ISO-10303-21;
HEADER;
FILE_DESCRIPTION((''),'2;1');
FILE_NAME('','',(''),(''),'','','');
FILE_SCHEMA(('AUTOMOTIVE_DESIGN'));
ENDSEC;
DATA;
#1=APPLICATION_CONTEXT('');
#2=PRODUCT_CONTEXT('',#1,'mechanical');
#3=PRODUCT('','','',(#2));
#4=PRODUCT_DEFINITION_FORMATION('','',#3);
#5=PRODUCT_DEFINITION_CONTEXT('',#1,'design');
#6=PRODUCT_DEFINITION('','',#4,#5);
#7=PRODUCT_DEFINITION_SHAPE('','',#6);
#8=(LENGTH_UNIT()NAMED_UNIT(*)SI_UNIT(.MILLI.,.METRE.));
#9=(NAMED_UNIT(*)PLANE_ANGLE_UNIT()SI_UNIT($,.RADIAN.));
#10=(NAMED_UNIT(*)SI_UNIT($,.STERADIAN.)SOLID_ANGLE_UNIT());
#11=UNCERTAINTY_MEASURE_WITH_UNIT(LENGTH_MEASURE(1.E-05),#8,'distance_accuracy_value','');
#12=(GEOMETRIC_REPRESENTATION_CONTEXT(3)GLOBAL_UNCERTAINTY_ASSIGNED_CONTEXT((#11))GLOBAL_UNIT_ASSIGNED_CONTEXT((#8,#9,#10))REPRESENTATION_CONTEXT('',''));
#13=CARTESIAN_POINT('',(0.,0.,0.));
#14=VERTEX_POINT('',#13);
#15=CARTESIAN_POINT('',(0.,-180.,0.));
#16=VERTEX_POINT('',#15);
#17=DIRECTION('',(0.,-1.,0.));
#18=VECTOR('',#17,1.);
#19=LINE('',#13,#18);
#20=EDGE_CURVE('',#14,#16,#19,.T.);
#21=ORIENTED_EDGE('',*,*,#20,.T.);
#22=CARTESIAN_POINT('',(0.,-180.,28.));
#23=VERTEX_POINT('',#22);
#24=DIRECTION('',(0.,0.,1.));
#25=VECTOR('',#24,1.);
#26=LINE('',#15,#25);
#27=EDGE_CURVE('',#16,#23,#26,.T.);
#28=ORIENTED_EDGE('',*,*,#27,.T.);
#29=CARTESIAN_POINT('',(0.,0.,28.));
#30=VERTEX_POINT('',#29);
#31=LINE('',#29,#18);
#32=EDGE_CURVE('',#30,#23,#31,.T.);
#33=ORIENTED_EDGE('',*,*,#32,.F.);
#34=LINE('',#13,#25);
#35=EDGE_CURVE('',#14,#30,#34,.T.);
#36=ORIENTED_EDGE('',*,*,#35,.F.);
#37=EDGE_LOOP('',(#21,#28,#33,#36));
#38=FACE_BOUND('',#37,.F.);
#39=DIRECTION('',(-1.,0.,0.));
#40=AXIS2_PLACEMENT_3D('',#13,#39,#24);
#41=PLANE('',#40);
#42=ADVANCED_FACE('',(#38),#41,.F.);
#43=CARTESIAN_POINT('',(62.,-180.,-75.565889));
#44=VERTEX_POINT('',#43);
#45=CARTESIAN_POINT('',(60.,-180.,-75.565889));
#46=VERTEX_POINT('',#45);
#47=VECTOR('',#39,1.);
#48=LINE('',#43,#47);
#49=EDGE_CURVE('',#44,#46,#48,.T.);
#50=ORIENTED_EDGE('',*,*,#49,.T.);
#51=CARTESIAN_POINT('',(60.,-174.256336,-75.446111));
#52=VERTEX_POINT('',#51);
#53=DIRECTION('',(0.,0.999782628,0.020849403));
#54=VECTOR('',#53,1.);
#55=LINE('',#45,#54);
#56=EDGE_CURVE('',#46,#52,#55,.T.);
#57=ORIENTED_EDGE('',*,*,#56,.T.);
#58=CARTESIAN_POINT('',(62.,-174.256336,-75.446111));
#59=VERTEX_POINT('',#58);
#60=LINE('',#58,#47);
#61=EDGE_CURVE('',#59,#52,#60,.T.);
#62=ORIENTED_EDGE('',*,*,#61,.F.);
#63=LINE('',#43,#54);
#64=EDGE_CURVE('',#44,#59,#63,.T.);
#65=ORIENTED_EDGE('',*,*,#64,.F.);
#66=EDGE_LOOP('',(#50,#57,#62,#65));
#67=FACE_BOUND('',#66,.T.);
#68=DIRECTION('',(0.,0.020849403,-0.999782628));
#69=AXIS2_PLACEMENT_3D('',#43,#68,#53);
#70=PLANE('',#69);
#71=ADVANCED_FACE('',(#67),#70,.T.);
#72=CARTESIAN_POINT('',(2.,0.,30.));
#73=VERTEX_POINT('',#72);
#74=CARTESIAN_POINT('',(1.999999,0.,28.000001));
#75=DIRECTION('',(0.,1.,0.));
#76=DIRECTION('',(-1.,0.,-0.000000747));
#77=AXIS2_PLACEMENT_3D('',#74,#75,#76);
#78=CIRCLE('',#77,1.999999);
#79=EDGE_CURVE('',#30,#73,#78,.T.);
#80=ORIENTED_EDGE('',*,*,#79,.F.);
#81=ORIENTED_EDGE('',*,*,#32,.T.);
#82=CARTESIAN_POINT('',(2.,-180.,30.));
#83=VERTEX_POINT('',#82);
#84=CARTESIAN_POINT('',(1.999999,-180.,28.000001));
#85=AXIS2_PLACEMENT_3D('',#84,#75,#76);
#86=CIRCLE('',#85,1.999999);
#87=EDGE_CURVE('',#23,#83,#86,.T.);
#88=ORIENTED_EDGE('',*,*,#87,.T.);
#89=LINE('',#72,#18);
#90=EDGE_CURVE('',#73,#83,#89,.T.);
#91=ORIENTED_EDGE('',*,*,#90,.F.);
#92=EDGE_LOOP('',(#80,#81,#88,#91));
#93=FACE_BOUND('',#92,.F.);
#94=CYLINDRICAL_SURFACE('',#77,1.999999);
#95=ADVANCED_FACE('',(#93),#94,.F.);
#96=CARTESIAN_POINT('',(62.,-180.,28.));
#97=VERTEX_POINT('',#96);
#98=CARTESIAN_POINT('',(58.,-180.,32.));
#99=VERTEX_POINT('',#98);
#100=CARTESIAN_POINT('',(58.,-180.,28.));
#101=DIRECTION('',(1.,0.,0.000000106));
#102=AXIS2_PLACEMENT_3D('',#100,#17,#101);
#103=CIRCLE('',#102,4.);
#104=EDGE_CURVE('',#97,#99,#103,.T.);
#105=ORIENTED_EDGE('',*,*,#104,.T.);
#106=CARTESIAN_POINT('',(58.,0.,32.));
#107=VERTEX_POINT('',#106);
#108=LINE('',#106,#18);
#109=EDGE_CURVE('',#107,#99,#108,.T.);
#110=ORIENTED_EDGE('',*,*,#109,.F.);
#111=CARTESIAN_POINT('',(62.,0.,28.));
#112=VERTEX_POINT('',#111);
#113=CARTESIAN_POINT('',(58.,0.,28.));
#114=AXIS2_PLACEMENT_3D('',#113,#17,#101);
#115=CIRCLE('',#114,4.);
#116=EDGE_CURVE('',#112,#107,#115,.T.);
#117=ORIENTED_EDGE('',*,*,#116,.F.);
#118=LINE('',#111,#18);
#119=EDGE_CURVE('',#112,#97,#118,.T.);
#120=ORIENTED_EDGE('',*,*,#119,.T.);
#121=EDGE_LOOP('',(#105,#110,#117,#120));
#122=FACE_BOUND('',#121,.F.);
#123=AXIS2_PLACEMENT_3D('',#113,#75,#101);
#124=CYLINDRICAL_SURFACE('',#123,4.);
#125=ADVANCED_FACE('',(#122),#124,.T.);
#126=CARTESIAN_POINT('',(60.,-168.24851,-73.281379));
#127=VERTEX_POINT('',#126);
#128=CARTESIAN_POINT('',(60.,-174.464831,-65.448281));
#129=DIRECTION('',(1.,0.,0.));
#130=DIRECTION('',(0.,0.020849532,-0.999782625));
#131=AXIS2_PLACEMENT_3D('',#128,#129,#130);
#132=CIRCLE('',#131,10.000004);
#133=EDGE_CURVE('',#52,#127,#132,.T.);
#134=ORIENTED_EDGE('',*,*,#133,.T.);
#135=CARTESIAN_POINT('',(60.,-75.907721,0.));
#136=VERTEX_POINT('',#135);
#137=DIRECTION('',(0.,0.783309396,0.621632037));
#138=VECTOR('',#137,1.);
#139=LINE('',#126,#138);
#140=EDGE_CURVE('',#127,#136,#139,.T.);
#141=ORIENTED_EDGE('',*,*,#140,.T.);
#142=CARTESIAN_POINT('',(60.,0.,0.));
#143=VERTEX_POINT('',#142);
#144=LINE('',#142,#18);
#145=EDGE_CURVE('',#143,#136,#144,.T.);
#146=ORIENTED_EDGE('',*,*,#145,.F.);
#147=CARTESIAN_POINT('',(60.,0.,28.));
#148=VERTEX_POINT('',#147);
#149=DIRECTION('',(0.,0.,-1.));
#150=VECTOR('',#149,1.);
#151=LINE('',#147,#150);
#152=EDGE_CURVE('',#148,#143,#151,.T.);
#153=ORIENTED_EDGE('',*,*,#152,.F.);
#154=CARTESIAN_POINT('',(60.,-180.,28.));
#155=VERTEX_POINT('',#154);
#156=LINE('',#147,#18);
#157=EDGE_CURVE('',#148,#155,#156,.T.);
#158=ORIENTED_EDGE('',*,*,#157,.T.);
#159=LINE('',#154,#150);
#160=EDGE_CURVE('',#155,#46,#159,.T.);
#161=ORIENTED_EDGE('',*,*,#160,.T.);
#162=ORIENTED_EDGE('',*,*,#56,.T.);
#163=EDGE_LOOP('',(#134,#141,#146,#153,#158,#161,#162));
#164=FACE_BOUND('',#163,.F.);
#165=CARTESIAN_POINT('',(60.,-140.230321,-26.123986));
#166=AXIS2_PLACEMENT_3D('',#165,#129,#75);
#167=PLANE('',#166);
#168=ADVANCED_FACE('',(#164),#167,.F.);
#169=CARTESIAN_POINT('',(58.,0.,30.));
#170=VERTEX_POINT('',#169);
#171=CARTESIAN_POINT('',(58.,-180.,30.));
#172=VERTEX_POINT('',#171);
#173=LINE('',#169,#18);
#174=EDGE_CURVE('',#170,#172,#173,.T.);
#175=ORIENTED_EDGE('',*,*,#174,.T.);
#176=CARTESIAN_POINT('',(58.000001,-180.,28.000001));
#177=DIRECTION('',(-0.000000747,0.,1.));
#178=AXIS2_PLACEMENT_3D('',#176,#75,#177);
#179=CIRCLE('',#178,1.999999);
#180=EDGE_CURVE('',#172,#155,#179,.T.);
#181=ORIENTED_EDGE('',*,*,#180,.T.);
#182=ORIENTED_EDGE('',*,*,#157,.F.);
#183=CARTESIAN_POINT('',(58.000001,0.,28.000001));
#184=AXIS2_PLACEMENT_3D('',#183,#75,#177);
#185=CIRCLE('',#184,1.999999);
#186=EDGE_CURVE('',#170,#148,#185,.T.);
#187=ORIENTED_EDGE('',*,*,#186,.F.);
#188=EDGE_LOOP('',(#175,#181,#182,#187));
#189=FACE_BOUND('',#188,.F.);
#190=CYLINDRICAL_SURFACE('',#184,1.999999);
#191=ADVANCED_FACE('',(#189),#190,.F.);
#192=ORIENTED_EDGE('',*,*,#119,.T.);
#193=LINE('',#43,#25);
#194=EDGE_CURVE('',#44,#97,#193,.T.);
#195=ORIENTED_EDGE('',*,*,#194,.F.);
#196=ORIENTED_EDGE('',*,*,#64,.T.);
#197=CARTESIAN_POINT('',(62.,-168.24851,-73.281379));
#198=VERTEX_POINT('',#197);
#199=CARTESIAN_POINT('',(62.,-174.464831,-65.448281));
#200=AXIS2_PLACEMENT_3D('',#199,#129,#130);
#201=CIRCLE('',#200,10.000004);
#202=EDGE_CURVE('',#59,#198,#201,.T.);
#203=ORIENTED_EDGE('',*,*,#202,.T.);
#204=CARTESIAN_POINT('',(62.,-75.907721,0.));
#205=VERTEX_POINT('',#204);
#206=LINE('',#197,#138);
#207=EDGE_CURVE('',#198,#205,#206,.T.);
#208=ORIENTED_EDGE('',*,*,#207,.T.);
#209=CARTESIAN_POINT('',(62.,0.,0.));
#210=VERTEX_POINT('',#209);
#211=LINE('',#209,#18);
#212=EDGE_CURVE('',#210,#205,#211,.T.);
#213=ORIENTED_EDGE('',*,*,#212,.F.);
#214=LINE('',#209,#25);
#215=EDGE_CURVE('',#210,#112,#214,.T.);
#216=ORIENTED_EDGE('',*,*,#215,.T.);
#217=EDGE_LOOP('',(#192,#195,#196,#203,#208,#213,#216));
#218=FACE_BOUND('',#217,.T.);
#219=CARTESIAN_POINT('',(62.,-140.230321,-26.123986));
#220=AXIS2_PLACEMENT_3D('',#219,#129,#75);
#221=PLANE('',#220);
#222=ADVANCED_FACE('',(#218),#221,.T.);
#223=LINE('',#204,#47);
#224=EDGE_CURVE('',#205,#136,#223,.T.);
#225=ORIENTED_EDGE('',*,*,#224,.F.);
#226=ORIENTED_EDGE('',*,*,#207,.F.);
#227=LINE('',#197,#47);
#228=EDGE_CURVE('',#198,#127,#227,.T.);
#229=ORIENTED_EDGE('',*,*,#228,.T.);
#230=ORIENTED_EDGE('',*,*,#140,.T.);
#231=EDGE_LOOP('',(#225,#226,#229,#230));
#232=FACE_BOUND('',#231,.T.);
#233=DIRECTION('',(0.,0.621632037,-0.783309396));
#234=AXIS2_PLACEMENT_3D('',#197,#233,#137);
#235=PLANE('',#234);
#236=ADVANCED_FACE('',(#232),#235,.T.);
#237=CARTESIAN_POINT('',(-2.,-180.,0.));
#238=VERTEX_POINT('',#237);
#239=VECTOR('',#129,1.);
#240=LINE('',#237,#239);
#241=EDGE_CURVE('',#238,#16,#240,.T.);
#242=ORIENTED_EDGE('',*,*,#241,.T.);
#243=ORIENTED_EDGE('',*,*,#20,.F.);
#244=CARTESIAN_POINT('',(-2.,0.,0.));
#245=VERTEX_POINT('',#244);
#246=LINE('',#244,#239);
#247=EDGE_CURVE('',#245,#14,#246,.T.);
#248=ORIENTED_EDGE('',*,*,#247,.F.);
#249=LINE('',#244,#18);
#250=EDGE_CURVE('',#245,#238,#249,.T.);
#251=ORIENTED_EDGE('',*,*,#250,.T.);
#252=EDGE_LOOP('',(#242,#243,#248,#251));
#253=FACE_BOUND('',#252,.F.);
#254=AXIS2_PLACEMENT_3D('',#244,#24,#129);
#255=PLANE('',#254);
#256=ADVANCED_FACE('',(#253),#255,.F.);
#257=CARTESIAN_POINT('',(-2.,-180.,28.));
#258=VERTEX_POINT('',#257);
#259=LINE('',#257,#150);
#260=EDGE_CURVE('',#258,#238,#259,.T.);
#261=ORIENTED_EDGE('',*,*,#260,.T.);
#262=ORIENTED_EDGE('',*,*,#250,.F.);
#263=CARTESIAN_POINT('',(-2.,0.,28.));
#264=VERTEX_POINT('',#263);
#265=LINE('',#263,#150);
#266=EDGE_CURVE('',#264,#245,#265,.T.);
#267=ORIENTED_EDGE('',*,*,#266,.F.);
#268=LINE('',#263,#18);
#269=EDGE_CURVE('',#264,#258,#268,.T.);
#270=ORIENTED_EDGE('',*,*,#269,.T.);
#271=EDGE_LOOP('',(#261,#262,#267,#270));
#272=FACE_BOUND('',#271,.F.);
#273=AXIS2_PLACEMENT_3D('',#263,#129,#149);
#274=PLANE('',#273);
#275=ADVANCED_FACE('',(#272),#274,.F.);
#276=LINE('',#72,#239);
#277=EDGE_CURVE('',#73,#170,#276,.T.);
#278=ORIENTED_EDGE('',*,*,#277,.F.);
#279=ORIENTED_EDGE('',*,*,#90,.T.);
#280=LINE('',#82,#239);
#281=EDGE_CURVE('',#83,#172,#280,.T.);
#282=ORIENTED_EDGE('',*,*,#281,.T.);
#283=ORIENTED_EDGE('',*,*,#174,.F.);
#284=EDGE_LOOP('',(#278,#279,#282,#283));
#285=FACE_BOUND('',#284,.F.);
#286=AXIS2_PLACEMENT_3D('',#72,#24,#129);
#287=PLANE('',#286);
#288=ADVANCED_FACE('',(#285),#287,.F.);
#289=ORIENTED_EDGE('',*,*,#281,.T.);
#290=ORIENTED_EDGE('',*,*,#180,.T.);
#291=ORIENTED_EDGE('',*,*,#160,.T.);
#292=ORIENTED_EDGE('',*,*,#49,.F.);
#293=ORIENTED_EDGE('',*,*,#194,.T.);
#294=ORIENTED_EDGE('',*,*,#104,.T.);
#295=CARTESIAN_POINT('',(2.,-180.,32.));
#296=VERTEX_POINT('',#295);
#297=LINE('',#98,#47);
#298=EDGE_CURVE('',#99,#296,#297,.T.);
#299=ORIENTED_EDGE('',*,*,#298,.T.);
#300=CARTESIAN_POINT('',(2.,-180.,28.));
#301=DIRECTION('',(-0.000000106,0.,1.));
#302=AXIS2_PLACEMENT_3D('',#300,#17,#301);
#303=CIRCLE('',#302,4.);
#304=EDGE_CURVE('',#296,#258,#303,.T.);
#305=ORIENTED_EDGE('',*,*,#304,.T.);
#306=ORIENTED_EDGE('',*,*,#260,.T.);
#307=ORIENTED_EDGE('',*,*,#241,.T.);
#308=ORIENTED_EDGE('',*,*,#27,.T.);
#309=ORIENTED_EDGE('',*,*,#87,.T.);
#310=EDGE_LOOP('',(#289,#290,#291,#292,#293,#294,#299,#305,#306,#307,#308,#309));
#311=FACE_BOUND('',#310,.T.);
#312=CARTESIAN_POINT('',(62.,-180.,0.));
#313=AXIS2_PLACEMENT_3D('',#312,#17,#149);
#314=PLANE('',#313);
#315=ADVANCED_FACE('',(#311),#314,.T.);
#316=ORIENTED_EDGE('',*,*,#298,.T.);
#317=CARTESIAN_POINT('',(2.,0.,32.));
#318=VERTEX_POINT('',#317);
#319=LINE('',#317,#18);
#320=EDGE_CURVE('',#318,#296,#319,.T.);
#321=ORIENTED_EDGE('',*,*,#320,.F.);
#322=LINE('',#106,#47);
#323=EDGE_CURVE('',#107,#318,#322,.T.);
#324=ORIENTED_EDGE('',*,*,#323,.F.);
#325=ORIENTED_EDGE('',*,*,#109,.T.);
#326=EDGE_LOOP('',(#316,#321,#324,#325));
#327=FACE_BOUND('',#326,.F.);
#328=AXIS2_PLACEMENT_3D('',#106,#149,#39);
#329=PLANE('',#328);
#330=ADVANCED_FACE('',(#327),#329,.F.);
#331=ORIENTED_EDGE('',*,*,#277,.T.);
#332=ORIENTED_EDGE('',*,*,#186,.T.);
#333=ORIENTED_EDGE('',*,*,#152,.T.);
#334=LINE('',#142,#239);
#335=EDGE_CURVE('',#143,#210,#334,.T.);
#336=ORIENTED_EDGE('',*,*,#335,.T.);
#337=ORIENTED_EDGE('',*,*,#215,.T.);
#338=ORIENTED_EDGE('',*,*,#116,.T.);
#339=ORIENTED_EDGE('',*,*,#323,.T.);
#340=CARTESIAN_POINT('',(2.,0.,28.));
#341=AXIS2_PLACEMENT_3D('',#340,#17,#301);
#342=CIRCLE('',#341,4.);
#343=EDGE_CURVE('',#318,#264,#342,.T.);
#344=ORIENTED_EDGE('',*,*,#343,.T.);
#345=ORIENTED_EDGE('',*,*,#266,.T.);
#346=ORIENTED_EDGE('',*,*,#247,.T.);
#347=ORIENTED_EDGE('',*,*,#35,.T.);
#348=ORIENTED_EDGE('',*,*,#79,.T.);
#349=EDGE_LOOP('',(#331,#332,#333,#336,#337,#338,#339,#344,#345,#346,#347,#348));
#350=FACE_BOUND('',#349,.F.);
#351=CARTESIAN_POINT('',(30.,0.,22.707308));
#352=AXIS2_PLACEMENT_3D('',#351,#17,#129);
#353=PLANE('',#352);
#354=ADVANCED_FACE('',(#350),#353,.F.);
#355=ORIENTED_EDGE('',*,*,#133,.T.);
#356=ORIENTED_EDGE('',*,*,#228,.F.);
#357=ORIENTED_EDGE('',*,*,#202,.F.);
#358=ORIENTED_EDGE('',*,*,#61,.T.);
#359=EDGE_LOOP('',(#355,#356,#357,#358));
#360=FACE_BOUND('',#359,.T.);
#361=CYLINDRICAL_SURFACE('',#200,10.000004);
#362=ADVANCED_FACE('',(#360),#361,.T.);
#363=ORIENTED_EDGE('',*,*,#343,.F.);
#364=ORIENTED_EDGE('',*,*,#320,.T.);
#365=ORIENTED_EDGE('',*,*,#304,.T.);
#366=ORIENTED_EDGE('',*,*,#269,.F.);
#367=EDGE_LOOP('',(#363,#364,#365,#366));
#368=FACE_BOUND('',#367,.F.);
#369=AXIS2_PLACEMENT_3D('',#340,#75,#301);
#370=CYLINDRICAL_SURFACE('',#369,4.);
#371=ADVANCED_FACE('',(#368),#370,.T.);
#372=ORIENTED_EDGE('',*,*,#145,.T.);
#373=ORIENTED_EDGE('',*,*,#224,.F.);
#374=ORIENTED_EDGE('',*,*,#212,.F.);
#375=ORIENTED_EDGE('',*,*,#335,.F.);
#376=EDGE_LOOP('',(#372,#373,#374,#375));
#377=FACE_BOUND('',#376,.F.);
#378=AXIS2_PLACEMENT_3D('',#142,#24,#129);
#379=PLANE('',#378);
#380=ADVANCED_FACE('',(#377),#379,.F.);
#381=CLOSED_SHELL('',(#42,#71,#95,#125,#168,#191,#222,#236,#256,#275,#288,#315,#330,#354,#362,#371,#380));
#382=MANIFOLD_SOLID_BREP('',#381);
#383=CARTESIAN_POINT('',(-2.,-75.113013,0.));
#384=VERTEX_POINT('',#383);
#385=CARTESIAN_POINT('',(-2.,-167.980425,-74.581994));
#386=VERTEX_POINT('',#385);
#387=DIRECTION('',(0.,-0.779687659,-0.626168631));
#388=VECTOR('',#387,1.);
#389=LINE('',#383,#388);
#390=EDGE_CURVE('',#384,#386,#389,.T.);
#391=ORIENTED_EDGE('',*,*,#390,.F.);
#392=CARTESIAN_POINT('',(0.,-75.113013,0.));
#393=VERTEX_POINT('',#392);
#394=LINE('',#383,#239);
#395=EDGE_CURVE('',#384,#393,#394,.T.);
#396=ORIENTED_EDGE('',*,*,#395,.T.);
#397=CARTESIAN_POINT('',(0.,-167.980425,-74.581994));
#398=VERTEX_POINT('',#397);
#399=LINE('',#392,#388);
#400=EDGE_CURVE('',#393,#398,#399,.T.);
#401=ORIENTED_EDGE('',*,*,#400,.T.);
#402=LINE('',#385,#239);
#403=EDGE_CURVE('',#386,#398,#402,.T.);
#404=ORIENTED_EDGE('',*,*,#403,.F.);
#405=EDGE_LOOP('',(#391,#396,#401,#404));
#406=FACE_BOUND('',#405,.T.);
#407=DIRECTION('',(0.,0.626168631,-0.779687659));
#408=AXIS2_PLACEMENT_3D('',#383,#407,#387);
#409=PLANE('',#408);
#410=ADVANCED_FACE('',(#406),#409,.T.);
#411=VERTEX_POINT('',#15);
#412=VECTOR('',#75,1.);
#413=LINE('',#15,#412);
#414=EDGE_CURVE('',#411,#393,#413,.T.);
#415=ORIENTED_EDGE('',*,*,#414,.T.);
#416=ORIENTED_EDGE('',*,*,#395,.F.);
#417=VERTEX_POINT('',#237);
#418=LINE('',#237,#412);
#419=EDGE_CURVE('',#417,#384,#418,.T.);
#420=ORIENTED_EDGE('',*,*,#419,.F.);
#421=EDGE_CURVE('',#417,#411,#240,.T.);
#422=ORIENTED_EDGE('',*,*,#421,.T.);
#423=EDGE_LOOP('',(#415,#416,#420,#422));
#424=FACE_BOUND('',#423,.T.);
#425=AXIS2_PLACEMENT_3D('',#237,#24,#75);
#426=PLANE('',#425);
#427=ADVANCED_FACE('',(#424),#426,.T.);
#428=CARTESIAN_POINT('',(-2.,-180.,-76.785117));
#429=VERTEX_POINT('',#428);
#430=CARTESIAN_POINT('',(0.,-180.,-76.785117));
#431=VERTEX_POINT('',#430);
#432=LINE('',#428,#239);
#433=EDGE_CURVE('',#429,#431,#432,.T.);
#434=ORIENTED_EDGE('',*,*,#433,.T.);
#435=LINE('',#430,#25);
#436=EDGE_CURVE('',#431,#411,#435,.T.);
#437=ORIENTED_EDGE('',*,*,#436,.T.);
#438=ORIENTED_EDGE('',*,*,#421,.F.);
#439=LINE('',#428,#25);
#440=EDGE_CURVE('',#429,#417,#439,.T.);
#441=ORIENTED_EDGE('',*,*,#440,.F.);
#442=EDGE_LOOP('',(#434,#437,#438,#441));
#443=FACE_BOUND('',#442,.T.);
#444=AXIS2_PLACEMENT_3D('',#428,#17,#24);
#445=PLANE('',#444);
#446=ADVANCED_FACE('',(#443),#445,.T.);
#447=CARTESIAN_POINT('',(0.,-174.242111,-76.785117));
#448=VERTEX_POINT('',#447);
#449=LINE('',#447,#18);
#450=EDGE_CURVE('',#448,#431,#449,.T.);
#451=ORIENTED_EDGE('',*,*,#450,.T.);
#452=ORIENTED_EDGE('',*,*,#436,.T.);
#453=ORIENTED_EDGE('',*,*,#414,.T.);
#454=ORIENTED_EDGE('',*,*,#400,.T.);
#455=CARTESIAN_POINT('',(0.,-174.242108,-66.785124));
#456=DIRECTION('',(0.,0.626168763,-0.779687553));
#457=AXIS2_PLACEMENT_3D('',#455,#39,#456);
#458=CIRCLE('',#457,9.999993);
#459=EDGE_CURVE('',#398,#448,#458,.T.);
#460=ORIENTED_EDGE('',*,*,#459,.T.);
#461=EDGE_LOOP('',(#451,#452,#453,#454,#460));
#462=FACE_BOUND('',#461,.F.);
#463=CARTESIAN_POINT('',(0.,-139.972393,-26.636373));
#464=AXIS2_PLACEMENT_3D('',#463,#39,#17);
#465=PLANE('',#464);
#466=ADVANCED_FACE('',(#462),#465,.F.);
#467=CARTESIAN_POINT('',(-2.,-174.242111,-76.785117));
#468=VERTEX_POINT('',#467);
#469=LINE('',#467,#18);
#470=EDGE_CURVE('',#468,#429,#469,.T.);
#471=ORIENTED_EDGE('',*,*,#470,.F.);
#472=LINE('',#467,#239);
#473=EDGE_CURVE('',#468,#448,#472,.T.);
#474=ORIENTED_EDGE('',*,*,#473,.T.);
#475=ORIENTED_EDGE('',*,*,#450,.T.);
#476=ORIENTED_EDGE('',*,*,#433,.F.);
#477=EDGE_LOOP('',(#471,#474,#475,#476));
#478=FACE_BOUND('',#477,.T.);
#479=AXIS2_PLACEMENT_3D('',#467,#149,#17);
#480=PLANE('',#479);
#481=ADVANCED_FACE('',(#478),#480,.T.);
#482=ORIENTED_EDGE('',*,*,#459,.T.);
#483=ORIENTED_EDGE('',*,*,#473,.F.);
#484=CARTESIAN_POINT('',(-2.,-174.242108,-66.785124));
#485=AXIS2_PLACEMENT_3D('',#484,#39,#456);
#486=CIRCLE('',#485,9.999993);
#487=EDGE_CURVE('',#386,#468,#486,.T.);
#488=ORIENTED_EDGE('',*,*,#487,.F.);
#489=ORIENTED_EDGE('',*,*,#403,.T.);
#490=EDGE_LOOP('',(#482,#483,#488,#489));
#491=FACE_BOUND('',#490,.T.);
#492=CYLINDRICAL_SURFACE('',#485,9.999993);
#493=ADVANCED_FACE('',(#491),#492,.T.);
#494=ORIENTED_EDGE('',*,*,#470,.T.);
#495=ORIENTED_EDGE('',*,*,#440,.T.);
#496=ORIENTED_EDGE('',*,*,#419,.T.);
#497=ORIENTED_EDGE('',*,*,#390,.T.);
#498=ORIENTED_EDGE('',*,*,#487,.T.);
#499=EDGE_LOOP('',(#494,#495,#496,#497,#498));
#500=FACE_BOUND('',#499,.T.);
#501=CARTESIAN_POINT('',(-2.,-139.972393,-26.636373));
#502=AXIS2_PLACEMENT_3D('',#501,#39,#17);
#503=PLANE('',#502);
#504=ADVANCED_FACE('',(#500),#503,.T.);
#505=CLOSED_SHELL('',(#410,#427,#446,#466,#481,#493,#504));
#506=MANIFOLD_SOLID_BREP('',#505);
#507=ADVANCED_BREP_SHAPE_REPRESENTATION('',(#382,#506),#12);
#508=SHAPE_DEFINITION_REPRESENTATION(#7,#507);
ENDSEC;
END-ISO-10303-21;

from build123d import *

# Parameters (mm, degrees)
F1_DEPTH = 180
F3_DEPTH = 2
F5_DEPTH = 2


with BuildPart() as f1:
    # F0 (on Front) → F1 (new body)
    with BuildSketch(Plane.XZ):
        with BuildLine():
            Line((-2, 0), (0, 0))
            Line((0, 0), (0, 28))
            ThreePointArc((0, 28), (0.585786, 29.414214), (2, 30))
            Line((2, 30), (58, 30))
            ThreePointArc((58, 30), (59.414214, 29.414214), (60, 28))
            Line((60, 28), (60, 0))
            Line((60, 0), (62, 0))
            Line((62, 0), (62, 28))
            ThreePointArc((62, 28), (60.828427, 30.828427), (58, 32))
            Line((58, 32), (2, 32))
            ThreePointArc((2, 32), (-0.828427, 30.828427), (-2, 28))
            Line((-2, 28), (-2, 0))
        make_face()
    extrude(amount=F1_DEPTH)

    # F2 (on face) → F3 (join)
    with BuildSketch(Plane.YZ.offset(62)):
        with BuildLine():
            Line((-75.907721, 0), (-180, 0))
            Line((-180, 0), (-180, -75.565889))
            Line((-180, -75.565889), (-174.256336, -75.446111))
            ThreePointArc((-174.256336, -75.446111), (-171.074982, -74.856203), (-168.24851, -73.281379))
            Line((-168.24851, -73.281379), (-75.907721, 0))
        make_face()
    extrude(amount=-F3_DEPTH)


with BuildPart() as f5:
    # F4 (on face) → F5 (new body)
    with BuildSketch(Plane(origin=(-2, 0, 0), x_dir=(0, -1, 0), z_dir=(-1, 0, 0))):
        with BuildLine():
            Line((180, -76.785117), (180, 0))
            Line((180, 0), (75.113013, 0))
            Line((75.113013, 0), (167.980425, -74.581994))
            ThreePointArc((167.980425, -74.581994), (170.923133, -76.218271), (174.242111, -76.785117))
            Line((174.242111, -76.785117), (180, -76.785117))
        make_face()
    extrude(amount=-F5_DEPTH)


solid = Compound([f1.part, f5.part])
